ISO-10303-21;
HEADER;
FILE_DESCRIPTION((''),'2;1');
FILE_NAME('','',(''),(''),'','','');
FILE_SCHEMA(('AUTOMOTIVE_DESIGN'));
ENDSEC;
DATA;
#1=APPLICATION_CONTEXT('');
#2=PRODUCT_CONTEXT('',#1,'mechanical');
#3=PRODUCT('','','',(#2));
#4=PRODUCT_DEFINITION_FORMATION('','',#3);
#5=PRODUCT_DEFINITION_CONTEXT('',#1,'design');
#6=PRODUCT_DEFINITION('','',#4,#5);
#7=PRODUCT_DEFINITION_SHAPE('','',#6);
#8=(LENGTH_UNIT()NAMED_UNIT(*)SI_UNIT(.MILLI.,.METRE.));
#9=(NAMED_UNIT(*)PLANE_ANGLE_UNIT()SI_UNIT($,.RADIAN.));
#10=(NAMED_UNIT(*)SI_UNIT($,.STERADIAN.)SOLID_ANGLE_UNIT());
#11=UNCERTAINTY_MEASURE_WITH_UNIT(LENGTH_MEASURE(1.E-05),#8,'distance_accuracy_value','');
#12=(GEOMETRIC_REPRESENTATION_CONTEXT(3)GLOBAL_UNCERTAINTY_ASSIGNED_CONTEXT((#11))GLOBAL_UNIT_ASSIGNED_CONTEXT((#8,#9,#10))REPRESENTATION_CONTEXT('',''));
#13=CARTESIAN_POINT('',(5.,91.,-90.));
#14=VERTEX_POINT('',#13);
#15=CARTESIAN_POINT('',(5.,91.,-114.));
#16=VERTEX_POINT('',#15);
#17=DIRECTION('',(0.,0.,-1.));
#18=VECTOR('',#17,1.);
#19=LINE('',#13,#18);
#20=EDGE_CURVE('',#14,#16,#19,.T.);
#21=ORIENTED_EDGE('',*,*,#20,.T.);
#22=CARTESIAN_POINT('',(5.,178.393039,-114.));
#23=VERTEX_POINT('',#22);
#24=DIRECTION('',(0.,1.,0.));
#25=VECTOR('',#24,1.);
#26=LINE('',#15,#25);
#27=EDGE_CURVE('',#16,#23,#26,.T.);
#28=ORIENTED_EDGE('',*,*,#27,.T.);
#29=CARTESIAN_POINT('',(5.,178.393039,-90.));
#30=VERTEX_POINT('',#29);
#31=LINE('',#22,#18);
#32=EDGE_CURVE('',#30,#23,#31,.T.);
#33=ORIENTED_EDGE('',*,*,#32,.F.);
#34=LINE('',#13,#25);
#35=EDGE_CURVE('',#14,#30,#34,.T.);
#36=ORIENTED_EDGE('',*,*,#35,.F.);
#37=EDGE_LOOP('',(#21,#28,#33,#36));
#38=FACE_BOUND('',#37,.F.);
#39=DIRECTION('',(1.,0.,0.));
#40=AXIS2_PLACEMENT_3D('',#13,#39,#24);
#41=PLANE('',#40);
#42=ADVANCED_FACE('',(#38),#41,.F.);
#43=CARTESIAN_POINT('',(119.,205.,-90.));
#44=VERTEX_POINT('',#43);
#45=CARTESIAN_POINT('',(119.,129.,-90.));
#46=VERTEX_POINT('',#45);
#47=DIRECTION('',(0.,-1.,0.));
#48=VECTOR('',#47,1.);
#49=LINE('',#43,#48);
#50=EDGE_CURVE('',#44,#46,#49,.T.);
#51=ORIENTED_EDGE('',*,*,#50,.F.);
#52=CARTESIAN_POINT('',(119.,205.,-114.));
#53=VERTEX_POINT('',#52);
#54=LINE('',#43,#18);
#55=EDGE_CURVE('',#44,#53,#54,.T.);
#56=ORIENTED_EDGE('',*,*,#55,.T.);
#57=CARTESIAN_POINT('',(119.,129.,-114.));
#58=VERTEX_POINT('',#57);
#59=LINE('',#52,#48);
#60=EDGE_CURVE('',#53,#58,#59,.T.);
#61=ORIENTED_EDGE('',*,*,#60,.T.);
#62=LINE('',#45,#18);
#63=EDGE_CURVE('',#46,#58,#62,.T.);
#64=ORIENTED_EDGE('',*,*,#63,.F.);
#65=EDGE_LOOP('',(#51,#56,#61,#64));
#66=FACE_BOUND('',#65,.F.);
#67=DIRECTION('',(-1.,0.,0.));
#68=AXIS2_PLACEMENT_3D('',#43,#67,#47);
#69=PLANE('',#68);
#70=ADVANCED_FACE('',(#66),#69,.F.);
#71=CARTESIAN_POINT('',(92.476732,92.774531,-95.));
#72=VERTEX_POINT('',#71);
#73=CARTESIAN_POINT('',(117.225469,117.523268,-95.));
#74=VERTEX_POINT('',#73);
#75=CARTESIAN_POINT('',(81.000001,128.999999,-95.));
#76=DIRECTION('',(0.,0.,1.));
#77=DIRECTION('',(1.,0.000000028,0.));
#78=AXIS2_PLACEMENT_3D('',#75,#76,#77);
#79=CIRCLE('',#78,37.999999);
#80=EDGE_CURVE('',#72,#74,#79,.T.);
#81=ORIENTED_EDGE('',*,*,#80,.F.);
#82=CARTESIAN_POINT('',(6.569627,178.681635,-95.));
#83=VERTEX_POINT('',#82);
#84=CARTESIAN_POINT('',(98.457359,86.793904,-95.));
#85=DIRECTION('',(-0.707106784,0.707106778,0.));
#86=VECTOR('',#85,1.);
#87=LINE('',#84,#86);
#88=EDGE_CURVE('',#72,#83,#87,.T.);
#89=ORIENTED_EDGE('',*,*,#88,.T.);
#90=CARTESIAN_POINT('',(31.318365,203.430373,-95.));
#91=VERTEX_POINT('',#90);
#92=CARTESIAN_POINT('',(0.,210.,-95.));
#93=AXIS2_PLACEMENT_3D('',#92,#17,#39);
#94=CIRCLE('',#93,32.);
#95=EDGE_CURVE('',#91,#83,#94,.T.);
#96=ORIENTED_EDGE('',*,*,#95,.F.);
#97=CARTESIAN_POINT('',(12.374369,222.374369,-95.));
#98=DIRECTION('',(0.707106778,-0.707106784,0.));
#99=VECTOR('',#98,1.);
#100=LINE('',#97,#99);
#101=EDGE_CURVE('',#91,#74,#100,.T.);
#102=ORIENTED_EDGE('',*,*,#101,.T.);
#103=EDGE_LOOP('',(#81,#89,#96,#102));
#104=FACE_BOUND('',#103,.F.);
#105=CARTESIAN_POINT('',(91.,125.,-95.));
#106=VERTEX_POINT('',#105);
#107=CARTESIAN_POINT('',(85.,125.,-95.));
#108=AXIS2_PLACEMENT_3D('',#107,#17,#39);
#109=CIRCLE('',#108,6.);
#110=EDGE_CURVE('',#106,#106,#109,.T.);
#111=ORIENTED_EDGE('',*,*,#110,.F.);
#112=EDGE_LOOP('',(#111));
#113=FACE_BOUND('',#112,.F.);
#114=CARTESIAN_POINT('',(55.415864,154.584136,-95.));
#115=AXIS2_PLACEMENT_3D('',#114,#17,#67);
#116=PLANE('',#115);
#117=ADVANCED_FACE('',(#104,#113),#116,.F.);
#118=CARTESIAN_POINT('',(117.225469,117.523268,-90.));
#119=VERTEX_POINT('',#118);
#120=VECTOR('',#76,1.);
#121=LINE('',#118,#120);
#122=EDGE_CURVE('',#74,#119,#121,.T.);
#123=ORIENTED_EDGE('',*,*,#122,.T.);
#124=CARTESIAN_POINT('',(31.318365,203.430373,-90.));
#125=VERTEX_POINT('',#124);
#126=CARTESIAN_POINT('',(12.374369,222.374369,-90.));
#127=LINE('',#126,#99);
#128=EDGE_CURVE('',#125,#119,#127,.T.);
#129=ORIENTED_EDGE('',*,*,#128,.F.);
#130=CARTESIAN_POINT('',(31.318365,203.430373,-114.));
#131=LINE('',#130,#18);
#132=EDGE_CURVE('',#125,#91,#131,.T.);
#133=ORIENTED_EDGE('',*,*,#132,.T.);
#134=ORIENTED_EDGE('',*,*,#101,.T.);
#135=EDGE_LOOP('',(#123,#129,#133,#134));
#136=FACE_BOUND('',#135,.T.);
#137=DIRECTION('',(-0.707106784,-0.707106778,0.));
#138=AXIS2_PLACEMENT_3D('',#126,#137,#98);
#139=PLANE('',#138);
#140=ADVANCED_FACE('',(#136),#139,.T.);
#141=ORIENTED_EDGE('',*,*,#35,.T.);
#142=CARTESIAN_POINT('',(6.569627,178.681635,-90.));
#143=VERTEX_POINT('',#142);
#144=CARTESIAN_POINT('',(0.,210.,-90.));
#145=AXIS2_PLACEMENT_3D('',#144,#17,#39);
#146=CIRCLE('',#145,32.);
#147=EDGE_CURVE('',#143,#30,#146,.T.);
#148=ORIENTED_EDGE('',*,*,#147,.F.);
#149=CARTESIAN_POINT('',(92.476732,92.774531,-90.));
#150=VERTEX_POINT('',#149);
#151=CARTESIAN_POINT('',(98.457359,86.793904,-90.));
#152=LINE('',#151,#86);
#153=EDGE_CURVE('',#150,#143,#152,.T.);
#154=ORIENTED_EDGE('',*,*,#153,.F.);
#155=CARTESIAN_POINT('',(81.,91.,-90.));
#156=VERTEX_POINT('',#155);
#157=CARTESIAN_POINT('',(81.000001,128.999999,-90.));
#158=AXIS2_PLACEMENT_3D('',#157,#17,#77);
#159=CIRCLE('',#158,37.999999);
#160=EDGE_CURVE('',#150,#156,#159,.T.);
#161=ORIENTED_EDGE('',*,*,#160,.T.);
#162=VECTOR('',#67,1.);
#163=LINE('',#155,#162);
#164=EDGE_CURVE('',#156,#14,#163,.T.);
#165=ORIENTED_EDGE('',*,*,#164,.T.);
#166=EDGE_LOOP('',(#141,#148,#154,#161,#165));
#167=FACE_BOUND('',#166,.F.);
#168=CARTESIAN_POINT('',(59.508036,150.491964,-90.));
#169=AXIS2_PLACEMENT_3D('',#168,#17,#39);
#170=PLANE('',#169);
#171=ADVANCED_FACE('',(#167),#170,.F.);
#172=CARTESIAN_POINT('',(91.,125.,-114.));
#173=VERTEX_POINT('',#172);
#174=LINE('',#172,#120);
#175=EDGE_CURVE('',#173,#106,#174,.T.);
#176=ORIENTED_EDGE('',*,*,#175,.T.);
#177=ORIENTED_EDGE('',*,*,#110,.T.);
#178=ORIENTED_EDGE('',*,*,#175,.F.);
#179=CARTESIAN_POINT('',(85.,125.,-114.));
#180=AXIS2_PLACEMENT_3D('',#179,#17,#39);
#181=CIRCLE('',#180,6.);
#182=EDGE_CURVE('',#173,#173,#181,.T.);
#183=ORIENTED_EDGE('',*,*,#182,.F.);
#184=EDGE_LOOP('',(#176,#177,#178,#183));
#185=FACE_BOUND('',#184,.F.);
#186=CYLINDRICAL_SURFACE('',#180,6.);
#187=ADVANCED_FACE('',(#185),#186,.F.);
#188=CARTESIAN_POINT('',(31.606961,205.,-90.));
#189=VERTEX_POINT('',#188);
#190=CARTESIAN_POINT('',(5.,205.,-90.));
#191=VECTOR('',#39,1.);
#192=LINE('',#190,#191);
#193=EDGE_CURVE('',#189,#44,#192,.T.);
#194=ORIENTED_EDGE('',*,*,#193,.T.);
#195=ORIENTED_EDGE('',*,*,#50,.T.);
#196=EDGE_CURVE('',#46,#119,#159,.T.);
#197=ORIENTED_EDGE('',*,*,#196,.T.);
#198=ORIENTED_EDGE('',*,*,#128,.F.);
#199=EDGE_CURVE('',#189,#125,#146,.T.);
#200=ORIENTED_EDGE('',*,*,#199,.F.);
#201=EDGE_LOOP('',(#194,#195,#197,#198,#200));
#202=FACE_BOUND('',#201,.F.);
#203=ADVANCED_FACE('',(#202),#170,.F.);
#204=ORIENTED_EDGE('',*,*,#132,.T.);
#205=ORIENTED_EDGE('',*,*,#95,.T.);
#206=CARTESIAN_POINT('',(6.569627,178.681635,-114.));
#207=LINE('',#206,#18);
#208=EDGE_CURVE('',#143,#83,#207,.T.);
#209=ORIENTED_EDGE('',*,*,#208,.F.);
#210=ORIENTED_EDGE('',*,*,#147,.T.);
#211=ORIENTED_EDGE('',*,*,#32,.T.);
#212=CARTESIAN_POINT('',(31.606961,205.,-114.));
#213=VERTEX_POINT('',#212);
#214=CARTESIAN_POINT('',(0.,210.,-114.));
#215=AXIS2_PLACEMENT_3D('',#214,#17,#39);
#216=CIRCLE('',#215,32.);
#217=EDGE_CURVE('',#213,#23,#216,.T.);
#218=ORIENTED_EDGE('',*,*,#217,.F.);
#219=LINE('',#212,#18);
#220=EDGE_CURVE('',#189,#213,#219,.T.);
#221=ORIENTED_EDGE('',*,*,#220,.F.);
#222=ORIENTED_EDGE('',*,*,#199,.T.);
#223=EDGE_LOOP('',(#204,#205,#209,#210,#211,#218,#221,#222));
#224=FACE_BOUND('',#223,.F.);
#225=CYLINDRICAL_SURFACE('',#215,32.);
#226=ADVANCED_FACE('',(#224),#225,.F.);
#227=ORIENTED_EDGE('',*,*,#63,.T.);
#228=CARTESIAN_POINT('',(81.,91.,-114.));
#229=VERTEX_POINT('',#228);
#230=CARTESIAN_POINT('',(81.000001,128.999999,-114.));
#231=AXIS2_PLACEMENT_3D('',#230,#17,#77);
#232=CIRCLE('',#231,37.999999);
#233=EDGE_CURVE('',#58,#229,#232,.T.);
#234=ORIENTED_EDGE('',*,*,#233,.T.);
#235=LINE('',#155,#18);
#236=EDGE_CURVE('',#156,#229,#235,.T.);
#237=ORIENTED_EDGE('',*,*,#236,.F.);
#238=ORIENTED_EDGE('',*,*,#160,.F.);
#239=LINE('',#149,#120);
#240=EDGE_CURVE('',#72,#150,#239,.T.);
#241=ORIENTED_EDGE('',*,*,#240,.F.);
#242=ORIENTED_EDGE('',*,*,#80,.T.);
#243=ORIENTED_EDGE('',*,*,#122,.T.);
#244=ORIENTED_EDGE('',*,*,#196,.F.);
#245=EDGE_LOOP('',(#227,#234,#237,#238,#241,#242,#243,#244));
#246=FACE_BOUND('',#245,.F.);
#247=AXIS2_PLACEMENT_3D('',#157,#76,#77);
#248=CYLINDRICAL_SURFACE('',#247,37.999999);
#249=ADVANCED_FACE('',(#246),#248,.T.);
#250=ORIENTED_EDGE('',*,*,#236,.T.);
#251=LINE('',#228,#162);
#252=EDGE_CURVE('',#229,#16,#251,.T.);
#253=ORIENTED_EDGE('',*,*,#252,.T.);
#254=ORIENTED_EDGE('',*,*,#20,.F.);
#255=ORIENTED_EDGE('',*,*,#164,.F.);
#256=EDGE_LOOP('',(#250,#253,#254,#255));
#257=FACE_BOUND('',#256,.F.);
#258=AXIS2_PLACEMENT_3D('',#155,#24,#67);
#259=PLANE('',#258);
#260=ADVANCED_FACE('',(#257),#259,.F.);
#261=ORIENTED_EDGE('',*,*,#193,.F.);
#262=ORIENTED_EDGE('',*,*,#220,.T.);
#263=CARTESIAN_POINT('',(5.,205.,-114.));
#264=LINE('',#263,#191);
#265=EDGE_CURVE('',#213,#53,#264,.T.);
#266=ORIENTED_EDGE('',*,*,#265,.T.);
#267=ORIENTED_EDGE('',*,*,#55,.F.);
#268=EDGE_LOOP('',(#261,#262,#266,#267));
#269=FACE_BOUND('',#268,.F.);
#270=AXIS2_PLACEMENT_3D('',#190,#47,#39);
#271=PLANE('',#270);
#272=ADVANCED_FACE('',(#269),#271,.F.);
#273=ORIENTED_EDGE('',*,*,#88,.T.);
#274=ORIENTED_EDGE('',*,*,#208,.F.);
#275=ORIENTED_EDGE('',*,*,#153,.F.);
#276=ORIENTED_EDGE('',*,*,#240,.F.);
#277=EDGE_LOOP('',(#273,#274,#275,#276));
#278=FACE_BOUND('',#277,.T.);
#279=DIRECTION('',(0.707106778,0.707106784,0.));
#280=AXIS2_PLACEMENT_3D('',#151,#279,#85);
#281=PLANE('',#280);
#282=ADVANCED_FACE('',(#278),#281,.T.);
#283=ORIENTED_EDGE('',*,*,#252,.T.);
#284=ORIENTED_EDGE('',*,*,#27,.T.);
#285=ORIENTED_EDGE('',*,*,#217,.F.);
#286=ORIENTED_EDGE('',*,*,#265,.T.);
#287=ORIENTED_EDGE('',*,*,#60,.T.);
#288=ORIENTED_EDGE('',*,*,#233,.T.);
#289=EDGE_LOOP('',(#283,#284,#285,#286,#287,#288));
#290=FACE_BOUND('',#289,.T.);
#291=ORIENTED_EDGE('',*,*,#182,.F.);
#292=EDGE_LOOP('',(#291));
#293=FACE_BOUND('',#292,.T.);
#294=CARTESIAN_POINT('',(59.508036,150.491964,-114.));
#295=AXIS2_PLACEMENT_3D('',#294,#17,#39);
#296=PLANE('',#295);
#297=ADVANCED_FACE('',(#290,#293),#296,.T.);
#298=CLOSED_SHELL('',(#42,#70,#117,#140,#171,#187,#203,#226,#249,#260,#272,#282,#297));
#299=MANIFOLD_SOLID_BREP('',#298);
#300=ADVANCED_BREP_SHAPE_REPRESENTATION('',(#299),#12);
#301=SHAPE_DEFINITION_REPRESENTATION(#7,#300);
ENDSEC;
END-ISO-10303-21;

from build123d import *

# Parameters (mm, degrees)
PAD016_DEPTH            = 24
POCKET028_DEPTH         = 5
SKETCH046_R             = 32
SKETCH046_R_2           = 6
POCKET029_DEPTH         = 24
BODY014_PLACEMENT_ANGLE = 180


with BuildPart() as part:
    # Sketch044 → Pad016 (new body)
    with BuildSketch(Plane.XY):
        with BuildLine():
            Line((5, 5), (119, 5))
            Line((119, 5), (119, 81))
            ThreePointArc((119, 81), (107.870058, 107.870058), (81, 119))
            Line((81, 119), (5, 119))
            Line((5, 119), (5, 5))
        make_face()
    extrude(amount=PAD016_DEPTH)

    # Sketch045 → Pocket028 (cut)
    with BuildSketch(Plane(origin=(0, 0, 0), x_dir=(1, 0, 0), z_dir=(0, 0, -1))):
        Polygon((12.374369, 12.374369), (123.206096, -98.457359), (98.457359, -123.206096), (-12.374369, -12.374369), (0, 0), align=None)
    extrude(amount=-POCKET028_DEPTH, mode=Mode.SUBTRACT)

    # Sketch046 → Pocket029 (cut)
    with BuildSketch(Plane.XY.offset(24)):
        Circle(SKETCH046_R)
        with Locations((85, 85)):
            Circle(SKETCH046_R_2)
    extrude(amount=-POCKET029_DEPTH, mode=Mode.SUBTRACT)


with BuildPart() as part_1:
    # Body014 placement: moved
    add(part.part.moved(Location((0, 210, -90))).rotate(Axis((0, 210, -90), (1, 0, 0)), BODY014_PLACEMENT_ANGLE))


solid = part_1.part
